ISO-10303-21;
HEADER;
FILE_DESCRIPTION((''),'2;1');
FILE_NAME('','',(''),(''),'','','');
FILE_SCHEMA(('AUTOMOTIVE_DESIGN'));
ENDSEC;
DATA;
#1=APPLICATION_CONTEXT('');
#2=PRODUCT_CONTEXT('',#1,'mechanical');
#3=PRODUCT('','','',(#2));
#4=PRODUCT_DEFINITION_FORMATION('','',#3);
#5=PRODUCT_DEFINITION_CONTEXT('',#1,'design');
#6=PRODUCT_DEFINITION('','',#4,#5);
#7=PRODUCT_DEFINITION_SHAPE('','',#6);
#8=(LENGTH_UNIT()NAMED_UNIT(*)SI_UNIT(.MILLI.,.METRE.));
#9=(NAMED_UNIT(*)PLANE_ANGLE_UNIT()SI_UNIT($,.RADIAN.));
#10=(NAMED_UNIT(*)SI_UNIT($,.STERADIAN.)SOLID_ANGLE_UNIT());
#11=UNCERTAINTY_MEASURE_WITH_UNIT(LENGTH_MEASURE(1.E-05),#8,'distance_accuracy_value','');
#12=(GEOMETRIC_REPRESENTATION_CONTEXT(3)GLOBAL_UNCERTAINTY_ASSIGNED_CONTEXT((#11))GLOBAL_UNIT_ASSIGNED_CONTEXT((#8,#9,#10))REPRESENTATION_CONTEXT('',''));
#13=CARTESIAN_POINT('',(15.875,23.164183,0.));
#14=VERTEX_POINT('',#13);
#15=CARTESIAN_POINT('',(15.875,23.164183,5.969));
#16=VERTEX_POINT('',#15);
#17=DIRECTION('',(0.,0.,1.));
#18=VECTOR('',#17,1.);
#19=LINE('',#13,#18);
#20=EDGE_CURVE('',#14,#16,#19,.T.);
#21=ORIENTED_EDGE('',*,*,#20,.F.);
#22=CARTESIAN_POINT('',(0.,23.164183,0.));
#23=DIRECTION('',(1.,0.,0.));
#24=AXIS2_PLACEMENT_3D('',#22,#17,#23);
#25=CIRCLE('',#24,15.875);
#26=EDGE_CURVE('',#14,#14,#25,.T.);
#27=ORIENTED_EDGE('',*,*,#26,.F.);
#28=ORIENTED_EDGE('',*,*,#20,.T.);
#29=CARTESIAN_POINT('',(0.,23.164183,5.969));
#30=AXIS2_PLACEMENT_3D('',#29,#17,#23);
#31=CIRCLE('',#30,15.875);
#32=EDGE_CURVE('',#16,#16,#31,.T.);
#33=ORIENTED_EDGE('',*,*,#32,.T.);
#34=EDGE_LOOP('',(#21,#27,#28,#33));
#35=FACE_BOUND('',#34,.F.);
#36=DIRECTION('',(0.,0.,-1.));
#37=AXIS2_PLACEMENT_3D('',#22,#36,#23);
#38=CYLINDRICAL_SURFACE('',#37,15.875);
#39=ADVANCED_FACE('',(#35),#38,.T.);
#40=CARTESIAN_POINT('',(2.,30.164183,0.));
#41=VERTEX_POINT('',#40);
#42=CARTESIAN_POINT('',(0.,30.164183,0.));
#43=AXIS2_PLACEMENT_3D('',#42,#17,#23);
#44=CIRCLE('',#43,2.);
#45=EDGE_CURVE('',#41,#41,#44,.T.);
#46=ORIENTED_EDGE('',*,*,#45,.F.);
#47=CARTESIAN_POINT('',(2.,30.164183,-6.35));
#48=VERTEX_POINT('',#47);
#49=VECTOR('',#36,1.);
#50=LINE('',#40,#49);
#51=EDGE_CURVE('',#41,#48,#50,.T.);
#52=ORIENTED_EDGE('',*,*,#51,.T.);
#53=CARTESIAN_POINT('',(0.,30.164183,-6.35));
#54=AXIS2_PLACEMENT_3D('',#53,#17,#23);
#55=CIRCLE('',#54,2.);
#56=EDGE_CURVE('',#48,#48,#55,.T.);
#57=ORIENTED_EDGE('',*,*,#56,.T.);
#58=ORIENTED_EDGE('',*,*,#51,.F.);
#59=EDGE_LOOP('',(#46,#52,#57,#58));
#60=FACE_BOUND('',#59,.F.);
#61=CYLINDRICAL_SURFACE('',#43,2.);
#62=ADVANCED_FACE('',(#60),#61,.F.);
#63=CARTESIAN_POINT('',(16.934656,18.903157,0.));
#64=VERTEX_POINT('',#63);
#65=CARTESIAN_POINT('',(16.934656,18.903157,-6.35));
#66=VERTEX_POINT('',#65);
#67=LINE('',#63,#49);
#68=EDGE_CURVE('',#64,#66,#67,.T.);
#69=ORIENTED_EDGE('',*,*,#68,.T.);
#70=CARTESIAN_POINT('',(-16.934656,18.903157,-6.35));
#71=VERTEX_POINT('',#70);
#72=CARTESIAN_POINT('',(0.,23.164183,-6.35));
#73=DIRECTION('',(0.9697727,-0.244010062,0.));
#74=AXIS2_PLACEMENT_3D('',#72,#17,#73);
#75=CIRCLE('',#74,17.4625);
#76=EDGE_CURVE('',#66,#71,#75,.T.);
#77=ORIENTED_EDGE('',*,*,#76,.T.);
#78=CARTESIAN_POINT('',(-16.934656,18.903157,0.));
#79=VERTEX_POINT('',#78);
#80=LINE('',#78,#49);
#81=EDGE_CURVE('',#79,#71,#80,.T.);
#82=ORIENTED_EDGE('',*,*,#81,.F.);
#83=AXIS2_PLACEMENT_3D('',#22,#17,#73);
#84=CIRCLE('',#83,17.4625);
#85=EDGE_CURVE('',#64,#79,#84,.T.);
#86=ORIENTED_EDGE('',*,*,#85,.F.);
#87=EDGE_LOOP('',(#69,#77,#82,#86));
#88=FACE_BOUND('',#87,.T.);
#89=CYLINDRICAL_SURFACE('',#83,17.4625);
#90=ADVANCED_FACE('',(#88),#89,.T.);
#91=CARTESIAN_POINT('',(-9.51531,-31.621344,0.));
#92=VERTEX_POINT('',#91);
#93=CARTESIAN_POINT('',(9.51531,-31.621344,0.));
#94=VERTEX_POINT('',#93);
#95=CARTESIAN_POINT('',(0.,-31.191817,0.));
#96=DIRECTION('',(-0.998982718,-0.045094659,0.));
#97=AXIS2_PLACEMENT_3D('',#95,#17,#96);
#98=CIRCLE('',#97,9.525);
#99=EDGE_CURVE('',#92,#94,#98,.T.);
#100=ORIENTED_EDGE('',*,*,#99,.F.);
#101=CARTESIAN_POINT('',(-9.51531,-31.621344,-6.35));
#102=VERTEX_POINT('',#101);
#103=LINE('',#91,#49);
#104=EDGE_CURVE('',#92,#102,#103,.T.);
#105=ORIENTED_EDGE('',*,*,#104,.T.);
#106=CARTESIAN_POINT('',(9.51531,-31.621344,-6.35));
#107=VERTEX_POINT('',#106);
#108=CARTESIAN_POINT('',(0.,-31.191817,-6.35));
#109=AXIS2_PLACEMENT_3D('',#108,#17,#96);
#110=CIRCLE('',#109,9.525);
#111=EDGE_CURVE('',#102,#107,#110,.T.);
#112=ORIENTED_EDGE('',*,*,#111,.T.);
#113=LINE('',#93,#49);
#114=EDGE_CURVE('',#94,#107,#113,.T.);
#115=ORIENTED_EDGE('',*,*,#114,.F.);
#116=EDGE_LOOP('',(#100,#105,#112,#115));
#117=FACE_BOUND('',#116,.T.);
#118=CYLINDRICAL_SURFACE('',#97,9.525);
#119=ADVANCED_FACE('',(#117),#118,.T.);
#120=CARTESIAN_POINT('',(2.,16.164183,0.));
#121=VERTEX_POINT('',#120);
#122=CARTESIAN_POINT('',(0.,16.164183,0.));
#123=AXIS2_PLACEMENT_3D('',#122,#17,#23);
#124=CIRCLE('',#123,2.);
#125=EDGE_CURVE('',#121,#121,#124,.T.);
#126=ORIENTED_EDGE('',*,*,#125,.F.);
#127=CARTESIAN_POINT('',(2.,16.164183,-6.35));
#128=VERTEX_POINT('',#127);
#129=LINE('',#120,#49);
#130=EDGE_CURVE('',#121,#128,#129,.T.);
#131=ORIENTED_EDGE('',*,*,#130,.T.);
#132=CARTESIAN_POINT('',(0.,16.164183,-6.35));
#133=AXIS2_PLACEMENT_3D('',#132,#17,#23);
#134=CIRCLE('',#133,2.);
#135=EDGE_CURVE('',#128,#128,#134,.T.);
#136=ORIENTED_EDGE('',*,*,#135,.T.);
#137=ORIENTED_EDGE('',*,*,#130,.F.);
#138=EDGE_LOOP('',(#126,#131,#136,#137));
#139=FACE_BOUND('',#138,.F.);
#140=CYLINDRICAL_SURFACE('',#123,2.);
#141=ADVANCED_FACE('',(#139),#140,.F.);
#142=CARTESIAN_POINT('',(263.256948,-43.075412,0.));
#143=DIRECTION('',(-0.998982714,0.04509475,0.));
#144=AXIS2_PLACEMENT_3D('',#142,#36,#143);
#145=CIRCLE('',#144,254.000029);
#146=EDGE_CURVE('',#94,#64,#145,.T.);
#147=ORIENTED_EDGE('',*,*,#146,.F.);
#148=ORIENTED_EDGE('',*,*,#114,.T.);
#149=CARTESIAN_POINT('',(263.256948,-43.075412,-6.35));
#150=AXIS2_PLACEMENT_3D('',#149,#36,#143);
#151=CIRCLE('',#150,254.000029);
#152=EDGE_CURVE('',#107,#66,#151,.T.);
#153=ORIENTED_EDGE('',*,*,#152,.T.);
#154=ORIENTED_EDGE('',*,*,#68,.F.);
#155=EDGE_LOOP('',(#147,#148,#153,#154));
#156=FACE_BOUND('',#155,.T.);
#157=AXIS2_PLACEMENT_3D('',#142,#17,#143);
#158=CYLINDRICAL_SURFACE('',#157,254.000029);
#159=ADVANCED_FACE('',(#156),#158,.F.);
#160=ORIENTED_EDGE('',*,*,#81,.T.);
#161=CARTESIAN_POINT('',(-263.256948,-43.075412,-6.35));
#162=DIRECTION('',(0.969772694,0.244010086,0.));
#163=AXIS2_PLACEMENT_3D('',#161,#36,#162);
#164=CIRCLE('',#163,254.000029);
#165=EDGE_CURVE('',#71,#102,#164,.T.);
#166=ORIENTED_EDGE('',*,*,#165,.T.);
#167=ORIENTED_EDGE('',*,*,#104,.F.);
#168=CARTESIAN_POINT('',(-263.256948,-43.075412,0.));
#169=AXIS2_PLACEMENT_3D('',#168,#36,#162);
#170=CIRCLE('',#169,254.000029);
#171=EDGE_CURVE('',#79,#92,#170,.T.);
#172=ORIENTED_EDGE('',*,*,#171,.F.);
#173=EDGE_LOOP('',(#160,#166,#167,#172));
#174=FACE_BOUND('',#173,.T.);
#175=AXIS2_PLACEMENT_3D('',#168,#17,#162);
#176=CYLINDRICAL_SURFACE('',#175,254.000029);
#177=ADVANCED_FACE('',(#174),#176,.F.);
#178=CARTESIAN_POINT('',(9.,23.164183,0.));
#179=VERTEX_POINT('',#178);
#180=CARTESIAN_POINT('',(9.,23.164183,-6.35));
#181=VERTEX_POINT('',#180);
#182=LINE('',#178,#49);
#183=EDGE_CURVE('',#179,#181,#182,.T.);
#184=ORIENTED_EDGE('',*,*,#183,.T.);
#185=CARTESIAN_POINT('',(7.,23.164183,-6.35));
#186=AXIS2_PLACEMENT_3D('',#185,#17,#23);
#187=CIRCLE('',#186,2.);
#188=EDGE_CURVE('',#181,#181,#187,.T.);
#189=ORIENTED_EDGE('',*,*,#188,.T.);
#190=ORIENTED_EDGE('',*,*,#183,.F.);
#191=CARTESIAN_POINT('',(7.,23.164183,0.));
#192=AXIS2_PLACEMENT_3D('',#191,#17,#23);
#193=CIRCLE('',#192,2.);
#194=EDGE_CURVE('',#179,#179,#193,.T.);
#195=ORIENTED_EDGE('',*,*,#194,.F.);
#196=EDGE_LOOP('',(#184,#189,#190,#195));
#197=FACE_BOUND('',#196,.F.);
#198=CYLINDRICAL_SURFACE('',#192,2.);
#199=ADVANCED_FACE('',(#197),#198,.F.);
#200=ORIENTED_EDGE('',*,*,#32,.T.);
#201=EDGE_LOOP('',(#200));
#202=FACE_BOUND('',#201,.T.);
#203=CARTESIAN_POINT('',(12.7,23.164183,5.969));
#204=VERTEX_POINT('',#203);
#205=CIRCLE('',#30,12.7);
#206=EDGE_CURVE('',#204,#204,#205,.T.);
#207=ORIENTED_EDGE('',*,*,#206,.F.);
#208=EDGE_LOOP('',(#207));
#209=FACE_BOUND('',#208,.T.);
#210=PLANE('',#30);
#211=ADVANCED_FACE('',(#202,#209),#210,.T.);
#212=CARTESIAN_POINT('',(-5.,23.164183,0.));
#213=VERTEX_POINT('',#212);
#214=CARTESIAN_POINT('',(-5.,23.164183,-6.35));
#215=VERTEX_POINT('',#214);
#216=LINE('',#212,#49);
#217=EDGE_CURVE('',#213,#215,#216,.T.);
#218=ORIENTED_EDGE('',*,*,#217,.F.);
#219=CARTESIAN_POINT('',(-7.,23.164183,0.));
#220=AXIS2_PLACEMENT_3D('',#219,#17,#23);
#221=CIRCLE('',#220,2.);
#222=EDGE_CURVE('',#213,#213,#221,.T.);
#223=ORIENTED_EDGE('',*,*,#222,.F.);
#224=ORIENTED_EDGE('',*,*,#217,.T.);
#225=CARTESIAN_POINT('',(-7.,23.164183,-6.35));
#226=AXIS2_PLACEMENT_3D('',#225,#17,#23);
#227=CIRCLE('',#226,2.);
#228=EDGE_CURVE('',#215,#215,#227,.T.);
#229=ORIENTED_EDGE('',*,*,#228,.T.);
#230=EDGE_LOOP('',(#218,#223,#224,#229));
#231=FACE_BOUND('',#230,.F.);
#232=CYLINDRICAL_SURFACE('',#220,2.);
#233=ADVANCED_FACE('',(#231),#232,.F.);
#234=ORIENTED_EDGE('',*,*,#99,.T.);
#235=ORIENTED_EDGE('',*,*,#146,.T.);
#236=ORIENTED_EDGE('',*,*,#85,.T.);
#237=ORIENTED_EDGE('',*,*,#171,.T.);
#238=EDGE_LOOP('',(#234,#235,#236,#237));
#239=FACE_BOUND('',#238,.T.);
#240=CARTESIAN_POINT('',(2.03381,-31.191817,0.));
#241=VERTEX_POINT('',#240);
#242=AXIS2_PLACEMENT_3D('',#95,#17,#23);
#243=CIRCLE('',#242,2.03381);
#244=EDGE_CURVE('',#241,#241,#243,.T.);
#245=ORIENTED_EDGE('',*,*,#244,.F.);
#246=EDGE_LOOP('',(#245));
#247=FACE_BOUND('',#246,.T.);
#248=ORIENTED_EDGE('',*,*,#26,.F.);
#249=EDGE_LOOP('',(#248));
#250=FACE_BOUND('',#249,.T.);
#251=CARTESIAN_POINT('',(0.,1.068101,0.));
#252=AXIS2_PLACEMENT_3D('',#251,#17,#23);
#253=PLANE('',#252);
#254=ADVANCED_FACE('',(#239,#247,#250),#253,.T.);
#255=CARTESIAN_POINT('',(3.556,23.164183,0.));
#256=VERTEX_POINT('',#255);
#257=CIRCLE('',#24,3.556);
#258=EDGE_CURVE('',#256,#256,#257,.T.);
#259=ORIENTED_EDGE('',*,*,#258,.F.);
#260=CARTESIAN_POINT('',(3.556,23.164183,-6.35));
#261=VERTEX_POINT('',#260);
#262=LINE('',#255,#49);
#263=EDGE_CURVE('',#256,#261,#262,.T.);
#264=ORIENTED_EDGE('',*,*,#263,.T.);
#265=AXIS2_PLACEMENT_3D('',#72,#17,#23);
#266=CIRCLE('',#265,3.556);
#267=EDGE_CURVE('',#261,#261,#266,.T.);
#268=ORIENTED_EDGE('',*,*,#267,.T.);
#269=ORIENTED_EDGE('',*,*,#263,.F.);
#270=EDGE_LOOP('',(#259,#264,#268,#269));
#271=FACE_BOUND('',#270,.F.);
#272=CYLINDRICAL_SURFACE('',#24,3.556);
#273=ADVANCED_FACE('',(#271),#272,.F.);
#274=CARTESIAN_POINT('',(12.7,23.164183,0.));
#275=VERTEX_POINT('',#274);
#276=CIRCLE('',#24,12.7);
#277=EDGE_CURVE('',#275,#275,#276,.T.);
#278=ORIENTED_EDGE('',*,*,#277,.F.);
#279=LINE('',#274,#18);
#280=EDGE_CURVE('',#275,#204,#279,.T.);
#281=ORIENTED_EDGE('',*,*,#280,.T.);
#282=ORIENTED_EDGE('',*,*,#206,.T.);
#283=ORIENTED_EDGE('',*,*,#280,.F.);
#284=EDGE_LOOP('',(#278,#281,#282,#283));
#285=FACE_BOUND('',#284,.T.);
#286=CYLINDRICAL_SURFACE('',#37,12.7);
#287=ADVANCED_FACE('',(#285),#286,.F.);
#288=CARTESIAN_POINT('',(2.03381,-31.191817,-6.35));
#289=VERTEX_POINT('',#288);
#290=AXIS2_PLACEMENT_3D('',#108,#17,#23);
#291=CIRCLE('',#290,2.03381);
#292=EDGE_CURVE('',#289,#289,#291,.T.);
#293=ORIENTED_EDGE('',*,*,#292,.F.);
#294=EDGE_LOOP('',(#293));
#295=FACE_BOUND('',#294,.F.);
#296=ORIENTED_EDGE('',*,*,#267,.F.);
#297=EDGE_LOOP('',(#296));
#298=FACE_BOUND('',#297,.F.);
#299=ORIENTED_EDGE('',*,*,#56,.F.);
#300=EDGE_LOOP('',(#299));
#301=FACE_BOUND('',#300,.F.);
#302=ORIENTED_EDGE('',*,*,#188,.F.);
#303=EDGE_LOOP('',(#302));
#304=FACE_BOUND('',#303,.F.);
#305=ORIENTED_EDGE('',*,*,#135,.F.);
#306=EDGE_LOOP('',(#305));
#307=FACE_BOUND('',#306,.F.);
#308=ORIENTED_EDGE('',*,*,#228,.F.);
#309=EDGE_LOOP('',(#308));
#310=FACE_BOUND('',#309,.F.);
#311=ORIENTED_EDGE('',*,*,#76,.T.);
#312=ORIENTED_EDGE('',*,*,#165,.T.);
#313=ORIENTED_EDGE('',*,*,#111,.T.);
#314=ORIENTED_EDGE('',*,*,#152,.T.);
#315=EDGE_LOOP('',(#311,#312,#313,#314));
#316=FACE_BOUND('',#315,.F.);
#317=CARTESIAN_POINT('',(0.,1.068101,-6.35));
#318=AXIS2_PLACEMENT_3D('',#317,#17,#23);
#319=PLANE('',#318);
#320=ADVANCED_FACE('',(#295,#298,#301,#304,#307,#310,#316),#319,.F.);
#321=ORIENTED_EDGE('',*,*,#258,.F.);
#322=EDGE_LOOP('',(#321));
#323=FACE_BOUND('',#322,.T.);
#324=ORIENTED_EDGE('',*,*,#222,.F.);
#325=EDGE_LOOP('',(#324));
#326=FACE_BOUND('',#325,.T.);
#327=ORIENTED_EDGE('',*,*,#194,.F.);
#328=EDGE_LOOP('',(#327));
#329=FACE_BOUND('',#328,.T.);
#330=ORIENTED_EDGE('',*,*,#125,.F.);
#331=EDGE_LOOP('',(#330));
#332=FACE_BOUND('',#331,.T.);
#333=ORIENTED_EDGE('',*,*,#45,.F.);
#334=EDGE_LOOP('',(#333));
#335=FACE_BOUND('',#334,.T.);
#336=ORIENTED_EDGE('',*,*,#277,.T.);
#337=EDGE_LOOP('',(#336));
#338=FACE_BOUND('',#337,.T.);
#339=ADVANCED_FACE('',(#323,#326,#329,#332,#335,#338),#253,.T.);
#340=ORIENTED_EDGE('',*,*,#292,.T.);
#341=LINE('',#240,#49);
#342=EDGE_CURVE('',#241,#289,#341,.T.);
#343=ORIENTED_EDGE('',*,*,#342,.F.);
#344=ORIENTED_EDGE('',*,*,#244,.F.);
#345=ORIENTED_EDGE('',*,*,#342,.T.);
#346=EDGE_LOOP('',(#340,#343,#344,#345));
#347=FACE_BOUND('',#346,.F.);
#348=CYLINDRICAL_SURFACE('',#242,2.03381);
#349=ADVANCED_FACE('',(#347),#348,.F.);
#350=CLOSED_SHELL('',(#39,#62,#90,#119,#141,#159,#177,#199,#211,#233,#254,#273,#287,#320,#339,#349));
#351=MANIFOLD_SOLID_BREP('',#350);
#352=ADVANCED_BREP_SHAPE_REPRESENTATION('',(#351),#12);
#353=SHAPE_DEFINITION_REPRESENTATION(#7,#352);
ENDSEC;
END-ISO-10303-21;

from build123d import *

# Parameters (mm, degrees)
F0_R     = 2.03381
F0_R_2   = 2
F0_R_3   = 3.556
F1_DEPTH = 6.35
F2_R     = 15.875
F2_R_2   = 12.7
F3_DEPTH = 5.969


with BuildPart() as f1:
    # F0 (on Top) → F1 (new body)
    with BuildSketch(Plane.XY):
        with BuildLine():
            ThreePointArc((9.51531, -31.621344), (11.952024, -6.172164), (16.934656, 18.903157))
            ThreePointArc((16.934656, 18.903157), (0, 40.626683), (-16.934656, 18.903157))
            ThreePointArc((-16.934656, 18.903157), (-11.952024, -6.172164), (-9.51531, -31.621344))
            ThreePointArc((-9.51531, -31.621344), (0, -40.716817), (9.51531, -31.621344))
        make_face()
        with Locations((0, -31.191817)):
            Circle(F0_R, mode=Mode.SUBTRACT)
        with Locations((-7, 23.164183)):
            Circle(F0_R_2, mode=Mode.SUBTRACT)
        with Locations((0, 16.164183)):
            Circle(F0_R_2, mode=Mode.SUBTRACT)
        with Locations((0, 23.164183)):
            Circle(F0_R_3, mode=Mode.SUBTRACT)
        with Locations((0, 30.164183)):
            Circle(F0_R_2, mode=Mode.SUBTRACT)
        with Locations((7, 23.164183)):
            Circle(F0_R_2, mode=Mode.SUBTRACT)
    extrude(amount=-F1_DEPTH)

    # F2 (on face) → F3 (join)
    with BuildSketch(Plane.XY):
        with Locations((0, 23.164183)):
            Circle(F2_R)
        with Locations((0, 23.164183)):
            Circle(F2_R_2, mode=Mode.SUBTRACT)
    extrude(amount=F3_DEPTH)


solid = f1.part
